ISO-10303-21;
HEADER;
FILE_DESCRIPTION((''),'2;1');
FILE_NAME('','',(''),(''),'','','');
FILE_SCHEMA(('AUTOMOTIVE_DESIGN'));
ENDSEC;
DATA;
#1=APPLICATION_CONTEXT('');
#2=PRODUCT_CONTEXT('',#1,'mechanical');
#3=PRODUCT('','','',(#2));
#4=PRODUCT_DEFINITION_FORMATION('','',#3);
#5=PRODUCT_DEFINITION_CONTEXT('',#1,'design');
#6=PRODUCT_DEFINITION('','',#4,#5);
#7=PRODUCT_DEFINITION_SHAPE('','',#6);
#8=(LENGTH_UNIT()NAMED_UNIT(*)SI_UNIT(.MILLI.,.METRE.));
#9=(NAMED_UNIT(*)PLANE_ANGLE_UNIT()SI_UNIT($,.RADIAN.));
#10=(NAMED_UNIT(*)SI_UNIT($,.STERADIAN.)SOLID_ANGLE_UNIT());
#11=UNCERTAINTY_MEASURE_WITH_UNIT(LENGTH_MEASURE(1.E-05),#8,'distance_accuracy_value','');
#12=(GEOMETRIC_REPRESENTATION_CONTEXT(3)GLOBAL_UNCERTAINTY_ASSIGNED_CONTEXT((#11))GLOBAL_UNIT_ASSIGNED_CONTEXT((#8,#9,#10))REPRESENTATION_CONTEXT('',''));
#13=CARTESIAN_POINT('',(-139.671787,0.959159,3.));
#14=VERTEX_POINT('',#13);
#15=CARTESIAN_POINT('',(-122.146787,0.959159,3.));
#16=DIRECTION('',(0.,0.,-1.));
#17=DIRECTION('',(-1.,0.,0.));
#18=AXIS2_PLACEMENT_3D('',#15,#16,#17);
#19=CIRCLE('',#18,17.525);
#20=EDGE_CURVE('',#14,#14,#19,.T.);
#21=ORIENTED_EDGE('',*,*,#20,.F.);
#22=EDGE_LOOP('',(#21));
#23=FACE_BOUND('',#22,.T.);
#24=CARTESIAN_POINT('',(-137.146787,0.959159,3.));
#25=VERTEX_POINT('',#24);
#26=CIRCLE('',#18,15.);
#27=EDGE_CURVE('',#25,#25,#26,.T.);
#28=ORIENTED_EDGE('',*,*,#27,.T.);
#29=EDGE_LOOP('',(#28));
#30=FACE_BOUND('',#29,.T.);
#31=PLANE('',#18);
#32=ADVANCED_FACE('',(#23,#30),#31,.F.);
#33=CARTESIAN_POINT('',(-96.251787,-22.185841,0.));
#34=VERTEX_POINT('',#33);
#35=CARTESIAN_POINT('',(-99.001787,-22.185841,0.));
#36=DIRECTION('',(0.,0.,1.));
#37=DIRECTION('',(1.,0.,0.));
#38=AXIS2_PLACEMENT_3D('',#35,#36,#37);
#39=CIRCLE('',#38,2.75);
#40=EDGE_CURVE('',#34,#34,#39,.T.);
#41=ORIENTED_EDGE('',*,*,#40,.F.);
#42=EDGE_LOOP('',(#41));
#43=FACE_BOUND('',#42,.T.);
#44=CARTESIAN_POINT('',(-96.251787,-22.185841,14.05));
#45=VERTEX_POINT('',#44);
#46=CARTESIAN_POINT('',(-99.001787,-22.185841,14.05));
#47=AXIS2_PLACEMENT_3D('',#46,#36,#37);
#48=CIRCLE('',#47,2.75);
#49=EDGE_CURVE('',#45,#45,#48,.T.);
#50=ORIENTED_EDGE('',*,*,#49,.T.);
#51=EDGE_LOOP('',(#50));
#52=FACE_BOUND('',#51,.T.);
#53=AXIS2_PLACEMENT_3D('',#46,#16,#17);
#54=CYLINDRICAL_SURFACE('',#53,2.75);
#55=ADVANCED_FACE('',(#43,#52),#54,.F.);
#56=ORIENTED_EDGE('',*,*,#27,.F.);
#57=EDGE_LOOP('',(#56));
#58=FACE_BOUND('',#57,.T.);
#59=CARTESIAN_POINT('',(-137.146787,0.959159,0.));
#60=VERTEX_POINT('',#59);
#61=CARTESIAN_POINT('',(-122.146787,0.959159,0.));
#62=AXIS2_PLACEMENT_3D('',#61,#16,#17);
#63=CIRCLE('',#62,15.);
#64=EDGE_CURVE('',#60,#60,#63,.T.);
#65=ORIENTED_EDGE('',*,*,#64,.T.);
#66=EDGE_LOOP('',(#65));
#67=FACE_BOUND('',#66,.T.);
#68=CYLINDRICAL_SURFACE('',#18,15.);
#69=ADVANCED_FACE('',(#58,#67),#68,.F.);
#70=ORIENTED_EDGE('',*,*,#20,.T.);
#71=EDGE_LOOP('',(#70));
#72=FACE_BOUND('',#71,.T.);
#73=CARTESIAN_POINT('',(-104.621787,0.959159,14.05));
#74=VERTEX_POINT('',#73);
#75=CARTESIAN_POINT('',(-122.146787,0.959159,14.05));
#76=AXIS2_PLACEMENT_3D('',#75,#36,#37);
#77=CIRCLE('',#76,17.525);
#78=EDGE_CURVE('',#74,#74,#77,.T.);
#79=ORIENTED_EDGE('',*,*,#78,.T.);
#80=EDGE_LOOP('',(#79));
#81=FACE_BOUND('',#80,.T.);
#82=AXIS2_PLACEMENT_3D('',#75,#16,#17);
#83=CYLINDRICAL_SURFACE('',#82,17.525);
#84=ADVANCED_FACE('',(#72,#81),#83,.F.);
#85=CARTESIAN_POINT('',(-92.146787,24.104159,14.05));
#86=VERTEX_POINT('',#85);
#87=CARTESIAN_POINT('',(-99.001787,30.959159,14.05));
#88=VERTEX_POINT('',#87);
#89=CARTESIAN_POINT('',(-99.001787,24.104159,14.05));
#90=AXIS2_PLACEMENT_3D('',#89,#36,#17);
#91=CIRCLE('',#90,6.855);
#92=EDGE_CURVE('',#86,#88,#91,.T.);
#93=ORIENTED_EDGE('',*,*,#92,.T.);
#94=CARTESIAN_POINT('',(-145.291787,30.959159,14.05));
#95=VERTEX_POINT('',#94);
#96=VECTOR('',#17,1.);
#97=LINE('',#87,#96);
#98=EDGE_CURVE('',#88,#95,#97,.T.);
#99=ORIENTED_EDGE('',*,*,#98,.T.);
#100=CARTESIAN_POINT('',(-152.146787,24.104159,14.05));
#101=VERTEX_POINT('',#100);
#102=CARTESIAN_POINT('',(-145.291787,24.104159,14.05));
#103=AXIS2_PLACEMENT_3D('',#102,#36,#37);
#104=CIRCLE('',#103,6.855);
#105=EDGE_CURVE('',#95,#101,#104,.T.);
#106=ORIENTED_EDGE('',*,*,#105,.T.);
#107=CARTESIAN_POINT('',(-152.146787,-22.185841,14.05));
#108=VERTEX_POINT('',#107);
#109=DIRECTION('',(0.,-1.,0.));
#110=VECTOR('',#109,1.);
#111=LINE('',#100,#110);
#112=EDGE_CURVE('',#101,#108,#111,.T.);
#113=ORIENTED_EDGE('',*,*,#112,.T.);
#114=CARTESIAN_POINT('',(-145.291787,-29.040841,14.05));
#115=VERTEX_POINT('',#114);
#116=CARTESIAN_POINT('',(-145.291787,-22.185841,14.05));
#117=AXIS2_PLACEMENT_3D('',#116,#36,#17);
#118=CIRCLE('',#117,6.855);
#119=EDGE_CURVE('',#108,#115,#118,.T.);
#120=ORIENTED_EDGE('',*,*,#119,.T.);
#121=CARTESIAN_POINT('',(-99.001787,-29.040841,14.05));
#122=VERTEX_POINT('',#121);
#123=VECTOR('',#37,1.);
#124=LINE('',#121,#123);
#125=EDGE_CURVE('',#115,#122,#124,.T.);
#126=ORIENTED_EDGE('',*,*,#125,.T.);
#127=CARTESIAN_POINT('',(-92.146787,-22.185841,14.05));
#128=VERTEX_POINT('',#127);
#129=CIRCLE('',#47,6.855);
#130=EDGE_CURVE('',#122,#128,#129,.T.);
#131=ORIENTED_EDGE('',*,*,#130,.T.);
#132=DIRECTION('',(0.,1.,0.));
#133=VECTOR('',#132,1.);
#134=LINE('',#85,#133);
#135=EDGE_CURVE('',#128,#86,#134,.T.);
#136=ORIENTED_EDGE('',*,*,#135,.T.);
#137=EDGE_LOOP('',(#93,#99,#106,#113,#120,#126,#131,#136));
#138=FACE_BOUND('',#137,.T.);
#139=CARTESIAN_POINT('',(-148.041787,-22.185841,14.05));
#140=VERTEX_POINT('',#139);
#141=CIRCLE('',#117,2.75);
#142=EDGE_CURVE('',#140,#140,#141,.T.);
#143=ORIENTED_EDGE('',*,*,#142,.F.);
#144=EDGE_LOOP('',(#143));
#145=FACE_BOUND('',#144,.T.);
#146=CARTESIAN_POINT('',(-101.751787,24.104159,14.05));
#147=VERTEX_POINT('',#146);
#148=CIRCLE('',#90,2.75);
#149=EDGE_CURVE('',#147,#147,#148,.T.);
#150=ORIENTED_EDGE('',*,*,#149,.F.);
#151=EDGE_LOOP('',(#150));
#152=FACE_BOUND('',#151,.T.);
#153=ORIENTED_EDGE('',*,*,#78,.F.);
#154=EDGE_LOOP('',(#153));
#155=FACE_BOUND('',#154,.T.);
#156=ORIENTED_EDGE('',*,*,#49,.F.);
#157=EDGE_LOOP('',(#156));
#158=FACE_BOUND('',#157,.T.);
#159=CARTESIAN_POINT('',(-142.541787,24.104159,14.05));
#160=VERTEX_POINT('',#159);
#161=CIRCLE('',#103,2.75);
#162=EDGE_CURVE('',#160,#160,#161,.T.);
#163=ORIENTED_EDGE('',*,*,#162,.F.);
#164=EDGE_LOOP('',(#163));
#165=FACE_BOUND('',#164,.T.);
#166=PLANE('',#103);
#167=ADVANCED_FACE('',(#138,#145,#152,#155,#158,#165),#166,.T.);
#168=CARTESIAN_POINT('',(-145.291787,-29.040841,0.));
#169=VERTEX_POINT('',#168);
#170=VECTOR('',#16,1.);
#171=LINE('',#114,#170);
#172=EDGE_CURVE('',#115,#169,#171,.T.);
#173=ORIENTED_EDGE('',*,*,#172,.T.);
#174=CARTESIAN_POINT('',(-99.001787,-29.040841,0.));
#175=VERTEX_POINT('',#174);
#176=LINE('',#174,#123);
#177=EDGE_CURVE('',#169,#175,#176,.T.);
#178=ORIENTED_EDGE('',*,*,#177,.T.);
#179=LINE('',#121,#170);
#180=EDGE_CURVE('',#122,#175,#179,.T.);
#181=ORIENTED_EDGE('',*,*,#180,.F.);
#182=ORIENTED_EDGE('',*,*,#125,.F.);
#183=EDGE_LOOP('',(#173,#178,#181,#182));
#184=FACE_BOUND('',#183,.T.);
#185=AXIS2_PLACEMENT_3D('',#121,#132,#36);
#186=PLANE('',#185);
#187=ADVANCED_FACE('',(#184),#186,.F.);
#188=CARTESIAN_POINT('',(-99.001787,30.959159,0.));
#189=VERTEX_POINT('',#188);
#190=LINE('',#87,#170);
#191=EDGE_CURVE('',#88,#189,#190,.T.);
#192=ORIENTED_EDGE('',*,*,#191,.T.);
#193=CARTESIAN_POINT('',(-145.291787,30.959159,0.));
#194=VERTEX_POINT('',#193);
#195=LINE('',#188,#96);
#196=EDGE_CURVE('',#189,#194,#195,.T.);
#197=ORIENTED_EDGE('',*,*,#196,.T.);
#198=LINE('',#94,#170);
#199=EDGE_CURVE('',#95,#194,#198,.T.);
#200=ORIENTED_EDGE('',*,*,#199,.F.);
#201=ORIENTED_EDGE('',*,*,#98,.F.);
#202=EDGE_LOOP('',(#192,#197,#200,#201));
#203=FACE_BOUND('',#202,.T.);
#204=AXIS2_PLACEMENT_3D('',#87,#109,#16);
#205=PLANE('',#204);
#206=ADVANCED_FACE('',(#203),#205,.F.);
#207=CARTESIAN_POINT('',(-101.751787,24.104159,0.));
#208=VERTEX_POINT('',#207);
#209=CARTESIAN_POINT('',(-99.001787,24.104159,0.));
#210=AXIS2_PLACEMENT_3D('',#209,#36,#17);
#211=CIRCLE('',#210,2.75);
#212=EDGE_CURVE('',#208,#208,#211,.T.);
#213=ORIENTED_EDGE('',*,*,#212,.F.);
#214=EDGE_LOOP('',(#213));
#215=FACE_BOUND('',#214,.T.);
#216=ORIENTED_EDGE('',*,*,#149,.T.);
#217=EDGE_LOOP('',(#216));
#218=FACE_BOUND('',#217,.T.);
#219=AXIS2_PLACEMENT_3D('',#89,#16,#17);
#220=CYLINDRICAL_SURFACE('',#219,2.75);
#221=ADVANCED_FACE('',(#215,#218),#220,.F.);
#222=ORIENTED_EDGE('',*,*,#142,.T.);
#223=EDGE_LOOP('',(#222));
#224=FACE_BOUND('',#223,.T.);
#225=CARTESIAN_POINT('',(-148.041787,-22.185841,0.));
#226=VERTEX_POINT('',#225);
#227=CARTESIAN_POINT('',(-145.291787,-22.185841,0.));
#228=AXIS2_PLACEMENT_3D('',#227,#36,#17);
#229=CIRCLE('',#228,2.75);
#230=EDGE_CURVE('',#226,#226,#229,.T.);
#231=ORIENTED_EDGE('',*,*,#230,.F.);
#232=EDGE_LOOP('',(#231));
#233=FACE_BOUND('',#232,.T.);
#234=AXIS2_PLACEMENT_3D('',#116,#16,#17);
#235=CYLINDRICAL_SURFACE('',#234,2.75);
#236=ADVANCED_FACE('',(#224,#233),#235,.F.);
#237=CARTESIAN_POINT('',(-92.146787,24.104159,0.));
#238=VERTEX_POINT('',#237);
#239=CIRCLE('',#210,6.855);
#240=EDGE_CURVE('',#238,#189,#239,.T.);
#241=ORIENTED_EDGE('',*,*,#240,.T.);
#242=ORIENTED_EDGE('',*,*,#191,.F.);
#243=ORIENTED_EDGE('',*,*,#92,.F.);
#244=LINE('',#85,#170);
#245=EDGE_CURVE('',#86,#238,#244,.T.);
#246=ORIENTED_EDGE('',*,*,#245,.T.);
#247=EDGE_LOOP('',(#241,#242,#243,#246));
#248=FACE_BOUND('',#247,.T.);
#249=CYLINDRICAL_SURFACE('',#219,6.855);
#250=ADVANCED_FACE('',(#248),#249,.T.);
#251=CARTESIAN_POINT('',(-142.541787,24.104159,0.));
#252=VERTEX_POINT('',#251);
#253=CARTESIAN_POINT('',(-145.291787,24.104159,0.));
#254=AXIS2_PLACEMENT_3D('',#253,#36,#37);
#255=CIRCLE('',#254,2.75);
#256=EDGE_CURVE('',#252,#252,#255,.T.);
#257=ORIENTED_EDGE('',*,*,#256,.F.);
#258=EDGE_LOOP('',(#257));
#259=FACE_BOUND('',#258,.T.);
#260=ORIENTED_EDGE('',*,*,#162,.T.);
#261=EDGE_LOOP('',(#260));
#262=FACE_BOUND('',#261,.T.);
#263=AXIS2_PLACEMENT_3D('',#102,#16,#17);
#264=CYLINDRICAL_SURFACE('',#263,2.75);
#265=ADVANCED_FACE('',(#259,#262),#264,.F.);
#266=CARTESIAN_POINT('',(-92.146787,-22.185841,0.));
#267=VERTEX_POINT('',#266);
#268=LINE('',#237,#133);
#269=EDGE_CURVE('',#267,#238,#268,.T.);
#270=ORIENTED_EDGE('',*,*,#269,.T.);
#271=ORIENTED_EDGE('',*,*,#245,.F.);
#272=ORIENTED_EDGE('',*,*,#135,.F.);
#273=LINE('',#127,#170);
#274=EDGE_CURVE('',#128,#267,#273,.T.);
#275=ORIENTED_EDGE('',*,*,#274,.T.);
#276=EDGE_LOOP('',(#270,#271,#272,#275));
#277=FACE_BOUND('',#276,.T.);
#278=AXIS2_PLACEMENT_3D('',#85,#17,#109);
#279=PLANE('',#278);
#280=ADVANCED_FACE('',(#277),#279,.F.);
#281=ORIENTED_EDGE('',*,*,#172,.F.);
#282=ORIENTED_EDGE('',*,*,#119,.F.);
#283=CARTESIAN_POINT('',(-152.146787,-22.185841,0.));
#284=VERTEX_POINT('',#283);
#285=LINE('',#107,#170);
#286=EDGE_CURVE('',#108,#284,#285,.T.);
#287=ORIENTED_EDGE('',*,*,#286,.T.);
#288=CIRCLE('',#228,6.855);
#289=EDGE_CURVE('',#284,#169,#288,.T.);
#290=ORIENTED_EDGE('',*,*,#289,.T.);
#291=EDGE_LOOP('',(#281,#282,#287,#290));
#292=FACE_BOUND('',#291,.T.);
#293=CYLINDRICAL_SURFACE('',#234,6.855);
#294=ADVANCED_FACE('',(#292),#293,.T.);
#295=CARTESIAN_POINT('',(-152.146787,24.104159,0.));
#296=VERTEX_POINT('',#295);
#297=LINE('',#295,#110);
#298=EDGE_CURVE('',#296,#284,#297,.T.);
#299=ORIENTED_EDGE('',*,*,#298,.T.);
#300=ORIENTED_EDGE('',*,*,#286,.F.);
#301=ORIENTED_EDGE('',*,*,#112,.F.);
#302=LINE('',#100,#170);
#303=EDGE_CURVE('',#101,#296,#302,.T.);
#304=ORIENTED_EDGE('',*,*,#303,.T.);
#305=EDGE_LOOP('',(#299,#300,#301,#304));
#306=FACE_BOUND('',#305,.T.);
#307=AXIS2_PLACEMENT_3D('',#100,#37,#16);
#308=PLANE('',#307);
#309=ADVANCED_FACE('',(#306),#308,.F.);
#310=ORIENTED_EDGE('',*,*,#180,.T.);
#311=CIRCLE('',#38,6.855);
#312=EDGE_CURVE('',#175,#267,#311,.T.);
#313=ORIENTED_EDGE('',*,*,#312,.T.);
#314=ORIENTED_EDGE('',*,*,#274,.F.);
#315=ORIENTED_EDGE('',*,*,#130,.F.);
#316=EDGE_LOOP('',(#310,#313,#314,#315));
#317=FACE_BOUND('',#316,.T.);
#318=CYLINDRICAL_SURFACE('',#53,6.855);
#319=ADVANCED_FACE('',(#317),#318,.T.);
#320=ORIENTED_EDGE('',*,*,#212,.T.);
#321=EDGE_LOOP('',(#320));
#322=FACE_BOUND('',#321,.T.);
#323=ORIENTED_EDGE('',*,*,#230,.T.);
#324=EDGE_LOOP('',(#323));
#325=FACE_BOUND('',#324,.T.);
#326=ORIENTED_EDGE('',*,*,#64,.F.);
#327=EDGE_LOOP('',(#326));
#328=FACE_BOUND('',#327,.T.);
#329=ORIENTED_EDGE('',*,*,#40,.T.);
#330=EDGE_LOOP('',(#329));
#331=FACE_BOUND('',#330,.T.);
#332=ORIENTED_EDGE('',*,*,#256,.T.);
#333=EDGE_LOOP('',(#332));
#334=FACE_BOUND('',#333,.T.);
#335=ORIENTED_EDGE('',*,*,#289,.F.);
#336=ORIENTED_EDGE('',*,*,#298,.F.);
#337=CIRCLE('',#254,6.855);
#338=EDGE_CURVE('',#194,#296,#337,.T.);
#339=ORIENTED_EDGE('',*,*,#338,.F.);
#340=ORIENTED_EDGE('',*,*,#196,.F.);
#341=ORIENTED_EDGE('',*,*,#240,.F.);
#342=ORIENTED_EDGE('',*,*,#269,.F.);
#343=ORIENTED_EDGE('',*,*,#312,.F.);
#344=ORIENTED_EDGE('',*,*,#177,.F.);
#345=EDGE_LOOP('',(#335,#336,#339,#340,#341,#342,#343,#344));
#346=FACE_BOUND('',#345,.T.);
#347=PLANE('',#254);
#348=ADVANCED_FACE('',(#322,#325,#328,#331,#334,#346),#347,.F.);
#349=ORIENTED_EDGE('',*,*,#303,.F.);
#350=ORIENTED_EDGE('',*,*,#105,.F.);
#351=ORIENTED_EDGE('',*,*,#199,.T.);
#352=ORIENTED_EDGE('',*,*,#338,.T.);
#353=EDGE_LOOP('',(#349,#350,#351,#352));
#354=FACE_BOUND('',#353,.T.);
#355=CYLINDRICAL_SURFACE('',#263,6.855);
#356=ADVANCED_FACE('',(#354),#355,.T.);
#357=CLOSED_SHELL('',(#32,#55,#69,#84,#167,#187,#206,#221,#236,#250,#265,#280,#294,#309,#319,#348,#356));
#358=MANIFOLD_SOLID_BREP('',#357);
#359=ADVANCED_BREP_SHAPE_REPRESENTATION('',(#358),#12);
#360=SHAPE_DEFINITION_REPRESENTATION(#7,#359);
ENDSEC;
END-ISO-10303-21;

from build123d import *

# Parameters (mm, degrees)
CROQUIS1_R              = 2.75
CROQUIS1_R_2            = 17.525
SALIENTE_EXTRUIR1_DEPTH = 14.05
CROQUIS3_R              = 20
CROQUIS3_R_2            = 15
SALIENTE_EXTRUIR2_DEPTH = 3


with BuildPart() as part:
    # Croquis1 → Saliente-Extruir1 (new body)
    with BuildSketch(Plane.XY):
        with BuildLine():
            Line((-99.001786664, 30.959159172), (-145.291786664, 30.959159172))
            ThreePointArc((-145.291786664, 30.959159172), (-150.139003649, 28.951376157), (-152.146786664, 24.104159172))
            Line((-152.146786664, 24.104159172), (-152.146786664, -22.185840828))
            ThreePointArc((-152.146786664, -22.185840828), (-150.139003649, -27.033057813), (-145.291786664, -29.040840828))
            Line((-145.291786664, -29.040840828), (-99.001786664, -29.040840828))
            ThreePointArc((-99.001786664, -29.040840828), (-94.154569679, -27.033057813), (-92.146786664, -22.185840828))
            Line((-92.146786664, -22.185840828), (-92.146786664, 24.104159172))
            ThreePointArc((-92.146786664, 24.104159172), (-94.154569679, 28.951376157), (-99.001786664, 30.959159172))
        make_face()
        with Locations((-145.291786664, 24.104159172)):
            Circle(CROQUIS1_R, mode=Mode.SUBTRACT)
        with Locations((-145.291786664, -22.185840828)):
            Circle(CROQUIS1_R, mode=Mode.SUBTRACT)
        with Locations((-99.001786664, -22.185840828)):
            Circle(CROQUIS1_R, mode=Mode.SUBTRACT)
        with Locations((-99.001786664, 24.104159172)):
            Circle(CROQUIS1_R, mode=Mode.SUBTRACT)
        with Locations((-122.146786664, 0.959159172)):
            Circle(CROQUIS1_R_2, mode=Mode.SUBTRACT)
    extrude(amount=SALIENTE_EXTRUIR1_DEPTH)

    # Croquis3 → Saliente-Extruir2 (add)
    with BuildSketch(Plane(origin=(0, 0, 0), x_dir=(-1, 0, 0), z_dir=(0, 0, -1))):
        with Locations((122.146786664, 0.959159172)):
            Circle(CROQUIS3_R)
        with Locations((122.146786664, 0.959159172)):
            Circle(CROQUIS3_R_2, mode=Mode.SUBTRACT)
    extrude(amount=-SALIENTE_EXTRUIR2_DEPTH)


solid = part.part
